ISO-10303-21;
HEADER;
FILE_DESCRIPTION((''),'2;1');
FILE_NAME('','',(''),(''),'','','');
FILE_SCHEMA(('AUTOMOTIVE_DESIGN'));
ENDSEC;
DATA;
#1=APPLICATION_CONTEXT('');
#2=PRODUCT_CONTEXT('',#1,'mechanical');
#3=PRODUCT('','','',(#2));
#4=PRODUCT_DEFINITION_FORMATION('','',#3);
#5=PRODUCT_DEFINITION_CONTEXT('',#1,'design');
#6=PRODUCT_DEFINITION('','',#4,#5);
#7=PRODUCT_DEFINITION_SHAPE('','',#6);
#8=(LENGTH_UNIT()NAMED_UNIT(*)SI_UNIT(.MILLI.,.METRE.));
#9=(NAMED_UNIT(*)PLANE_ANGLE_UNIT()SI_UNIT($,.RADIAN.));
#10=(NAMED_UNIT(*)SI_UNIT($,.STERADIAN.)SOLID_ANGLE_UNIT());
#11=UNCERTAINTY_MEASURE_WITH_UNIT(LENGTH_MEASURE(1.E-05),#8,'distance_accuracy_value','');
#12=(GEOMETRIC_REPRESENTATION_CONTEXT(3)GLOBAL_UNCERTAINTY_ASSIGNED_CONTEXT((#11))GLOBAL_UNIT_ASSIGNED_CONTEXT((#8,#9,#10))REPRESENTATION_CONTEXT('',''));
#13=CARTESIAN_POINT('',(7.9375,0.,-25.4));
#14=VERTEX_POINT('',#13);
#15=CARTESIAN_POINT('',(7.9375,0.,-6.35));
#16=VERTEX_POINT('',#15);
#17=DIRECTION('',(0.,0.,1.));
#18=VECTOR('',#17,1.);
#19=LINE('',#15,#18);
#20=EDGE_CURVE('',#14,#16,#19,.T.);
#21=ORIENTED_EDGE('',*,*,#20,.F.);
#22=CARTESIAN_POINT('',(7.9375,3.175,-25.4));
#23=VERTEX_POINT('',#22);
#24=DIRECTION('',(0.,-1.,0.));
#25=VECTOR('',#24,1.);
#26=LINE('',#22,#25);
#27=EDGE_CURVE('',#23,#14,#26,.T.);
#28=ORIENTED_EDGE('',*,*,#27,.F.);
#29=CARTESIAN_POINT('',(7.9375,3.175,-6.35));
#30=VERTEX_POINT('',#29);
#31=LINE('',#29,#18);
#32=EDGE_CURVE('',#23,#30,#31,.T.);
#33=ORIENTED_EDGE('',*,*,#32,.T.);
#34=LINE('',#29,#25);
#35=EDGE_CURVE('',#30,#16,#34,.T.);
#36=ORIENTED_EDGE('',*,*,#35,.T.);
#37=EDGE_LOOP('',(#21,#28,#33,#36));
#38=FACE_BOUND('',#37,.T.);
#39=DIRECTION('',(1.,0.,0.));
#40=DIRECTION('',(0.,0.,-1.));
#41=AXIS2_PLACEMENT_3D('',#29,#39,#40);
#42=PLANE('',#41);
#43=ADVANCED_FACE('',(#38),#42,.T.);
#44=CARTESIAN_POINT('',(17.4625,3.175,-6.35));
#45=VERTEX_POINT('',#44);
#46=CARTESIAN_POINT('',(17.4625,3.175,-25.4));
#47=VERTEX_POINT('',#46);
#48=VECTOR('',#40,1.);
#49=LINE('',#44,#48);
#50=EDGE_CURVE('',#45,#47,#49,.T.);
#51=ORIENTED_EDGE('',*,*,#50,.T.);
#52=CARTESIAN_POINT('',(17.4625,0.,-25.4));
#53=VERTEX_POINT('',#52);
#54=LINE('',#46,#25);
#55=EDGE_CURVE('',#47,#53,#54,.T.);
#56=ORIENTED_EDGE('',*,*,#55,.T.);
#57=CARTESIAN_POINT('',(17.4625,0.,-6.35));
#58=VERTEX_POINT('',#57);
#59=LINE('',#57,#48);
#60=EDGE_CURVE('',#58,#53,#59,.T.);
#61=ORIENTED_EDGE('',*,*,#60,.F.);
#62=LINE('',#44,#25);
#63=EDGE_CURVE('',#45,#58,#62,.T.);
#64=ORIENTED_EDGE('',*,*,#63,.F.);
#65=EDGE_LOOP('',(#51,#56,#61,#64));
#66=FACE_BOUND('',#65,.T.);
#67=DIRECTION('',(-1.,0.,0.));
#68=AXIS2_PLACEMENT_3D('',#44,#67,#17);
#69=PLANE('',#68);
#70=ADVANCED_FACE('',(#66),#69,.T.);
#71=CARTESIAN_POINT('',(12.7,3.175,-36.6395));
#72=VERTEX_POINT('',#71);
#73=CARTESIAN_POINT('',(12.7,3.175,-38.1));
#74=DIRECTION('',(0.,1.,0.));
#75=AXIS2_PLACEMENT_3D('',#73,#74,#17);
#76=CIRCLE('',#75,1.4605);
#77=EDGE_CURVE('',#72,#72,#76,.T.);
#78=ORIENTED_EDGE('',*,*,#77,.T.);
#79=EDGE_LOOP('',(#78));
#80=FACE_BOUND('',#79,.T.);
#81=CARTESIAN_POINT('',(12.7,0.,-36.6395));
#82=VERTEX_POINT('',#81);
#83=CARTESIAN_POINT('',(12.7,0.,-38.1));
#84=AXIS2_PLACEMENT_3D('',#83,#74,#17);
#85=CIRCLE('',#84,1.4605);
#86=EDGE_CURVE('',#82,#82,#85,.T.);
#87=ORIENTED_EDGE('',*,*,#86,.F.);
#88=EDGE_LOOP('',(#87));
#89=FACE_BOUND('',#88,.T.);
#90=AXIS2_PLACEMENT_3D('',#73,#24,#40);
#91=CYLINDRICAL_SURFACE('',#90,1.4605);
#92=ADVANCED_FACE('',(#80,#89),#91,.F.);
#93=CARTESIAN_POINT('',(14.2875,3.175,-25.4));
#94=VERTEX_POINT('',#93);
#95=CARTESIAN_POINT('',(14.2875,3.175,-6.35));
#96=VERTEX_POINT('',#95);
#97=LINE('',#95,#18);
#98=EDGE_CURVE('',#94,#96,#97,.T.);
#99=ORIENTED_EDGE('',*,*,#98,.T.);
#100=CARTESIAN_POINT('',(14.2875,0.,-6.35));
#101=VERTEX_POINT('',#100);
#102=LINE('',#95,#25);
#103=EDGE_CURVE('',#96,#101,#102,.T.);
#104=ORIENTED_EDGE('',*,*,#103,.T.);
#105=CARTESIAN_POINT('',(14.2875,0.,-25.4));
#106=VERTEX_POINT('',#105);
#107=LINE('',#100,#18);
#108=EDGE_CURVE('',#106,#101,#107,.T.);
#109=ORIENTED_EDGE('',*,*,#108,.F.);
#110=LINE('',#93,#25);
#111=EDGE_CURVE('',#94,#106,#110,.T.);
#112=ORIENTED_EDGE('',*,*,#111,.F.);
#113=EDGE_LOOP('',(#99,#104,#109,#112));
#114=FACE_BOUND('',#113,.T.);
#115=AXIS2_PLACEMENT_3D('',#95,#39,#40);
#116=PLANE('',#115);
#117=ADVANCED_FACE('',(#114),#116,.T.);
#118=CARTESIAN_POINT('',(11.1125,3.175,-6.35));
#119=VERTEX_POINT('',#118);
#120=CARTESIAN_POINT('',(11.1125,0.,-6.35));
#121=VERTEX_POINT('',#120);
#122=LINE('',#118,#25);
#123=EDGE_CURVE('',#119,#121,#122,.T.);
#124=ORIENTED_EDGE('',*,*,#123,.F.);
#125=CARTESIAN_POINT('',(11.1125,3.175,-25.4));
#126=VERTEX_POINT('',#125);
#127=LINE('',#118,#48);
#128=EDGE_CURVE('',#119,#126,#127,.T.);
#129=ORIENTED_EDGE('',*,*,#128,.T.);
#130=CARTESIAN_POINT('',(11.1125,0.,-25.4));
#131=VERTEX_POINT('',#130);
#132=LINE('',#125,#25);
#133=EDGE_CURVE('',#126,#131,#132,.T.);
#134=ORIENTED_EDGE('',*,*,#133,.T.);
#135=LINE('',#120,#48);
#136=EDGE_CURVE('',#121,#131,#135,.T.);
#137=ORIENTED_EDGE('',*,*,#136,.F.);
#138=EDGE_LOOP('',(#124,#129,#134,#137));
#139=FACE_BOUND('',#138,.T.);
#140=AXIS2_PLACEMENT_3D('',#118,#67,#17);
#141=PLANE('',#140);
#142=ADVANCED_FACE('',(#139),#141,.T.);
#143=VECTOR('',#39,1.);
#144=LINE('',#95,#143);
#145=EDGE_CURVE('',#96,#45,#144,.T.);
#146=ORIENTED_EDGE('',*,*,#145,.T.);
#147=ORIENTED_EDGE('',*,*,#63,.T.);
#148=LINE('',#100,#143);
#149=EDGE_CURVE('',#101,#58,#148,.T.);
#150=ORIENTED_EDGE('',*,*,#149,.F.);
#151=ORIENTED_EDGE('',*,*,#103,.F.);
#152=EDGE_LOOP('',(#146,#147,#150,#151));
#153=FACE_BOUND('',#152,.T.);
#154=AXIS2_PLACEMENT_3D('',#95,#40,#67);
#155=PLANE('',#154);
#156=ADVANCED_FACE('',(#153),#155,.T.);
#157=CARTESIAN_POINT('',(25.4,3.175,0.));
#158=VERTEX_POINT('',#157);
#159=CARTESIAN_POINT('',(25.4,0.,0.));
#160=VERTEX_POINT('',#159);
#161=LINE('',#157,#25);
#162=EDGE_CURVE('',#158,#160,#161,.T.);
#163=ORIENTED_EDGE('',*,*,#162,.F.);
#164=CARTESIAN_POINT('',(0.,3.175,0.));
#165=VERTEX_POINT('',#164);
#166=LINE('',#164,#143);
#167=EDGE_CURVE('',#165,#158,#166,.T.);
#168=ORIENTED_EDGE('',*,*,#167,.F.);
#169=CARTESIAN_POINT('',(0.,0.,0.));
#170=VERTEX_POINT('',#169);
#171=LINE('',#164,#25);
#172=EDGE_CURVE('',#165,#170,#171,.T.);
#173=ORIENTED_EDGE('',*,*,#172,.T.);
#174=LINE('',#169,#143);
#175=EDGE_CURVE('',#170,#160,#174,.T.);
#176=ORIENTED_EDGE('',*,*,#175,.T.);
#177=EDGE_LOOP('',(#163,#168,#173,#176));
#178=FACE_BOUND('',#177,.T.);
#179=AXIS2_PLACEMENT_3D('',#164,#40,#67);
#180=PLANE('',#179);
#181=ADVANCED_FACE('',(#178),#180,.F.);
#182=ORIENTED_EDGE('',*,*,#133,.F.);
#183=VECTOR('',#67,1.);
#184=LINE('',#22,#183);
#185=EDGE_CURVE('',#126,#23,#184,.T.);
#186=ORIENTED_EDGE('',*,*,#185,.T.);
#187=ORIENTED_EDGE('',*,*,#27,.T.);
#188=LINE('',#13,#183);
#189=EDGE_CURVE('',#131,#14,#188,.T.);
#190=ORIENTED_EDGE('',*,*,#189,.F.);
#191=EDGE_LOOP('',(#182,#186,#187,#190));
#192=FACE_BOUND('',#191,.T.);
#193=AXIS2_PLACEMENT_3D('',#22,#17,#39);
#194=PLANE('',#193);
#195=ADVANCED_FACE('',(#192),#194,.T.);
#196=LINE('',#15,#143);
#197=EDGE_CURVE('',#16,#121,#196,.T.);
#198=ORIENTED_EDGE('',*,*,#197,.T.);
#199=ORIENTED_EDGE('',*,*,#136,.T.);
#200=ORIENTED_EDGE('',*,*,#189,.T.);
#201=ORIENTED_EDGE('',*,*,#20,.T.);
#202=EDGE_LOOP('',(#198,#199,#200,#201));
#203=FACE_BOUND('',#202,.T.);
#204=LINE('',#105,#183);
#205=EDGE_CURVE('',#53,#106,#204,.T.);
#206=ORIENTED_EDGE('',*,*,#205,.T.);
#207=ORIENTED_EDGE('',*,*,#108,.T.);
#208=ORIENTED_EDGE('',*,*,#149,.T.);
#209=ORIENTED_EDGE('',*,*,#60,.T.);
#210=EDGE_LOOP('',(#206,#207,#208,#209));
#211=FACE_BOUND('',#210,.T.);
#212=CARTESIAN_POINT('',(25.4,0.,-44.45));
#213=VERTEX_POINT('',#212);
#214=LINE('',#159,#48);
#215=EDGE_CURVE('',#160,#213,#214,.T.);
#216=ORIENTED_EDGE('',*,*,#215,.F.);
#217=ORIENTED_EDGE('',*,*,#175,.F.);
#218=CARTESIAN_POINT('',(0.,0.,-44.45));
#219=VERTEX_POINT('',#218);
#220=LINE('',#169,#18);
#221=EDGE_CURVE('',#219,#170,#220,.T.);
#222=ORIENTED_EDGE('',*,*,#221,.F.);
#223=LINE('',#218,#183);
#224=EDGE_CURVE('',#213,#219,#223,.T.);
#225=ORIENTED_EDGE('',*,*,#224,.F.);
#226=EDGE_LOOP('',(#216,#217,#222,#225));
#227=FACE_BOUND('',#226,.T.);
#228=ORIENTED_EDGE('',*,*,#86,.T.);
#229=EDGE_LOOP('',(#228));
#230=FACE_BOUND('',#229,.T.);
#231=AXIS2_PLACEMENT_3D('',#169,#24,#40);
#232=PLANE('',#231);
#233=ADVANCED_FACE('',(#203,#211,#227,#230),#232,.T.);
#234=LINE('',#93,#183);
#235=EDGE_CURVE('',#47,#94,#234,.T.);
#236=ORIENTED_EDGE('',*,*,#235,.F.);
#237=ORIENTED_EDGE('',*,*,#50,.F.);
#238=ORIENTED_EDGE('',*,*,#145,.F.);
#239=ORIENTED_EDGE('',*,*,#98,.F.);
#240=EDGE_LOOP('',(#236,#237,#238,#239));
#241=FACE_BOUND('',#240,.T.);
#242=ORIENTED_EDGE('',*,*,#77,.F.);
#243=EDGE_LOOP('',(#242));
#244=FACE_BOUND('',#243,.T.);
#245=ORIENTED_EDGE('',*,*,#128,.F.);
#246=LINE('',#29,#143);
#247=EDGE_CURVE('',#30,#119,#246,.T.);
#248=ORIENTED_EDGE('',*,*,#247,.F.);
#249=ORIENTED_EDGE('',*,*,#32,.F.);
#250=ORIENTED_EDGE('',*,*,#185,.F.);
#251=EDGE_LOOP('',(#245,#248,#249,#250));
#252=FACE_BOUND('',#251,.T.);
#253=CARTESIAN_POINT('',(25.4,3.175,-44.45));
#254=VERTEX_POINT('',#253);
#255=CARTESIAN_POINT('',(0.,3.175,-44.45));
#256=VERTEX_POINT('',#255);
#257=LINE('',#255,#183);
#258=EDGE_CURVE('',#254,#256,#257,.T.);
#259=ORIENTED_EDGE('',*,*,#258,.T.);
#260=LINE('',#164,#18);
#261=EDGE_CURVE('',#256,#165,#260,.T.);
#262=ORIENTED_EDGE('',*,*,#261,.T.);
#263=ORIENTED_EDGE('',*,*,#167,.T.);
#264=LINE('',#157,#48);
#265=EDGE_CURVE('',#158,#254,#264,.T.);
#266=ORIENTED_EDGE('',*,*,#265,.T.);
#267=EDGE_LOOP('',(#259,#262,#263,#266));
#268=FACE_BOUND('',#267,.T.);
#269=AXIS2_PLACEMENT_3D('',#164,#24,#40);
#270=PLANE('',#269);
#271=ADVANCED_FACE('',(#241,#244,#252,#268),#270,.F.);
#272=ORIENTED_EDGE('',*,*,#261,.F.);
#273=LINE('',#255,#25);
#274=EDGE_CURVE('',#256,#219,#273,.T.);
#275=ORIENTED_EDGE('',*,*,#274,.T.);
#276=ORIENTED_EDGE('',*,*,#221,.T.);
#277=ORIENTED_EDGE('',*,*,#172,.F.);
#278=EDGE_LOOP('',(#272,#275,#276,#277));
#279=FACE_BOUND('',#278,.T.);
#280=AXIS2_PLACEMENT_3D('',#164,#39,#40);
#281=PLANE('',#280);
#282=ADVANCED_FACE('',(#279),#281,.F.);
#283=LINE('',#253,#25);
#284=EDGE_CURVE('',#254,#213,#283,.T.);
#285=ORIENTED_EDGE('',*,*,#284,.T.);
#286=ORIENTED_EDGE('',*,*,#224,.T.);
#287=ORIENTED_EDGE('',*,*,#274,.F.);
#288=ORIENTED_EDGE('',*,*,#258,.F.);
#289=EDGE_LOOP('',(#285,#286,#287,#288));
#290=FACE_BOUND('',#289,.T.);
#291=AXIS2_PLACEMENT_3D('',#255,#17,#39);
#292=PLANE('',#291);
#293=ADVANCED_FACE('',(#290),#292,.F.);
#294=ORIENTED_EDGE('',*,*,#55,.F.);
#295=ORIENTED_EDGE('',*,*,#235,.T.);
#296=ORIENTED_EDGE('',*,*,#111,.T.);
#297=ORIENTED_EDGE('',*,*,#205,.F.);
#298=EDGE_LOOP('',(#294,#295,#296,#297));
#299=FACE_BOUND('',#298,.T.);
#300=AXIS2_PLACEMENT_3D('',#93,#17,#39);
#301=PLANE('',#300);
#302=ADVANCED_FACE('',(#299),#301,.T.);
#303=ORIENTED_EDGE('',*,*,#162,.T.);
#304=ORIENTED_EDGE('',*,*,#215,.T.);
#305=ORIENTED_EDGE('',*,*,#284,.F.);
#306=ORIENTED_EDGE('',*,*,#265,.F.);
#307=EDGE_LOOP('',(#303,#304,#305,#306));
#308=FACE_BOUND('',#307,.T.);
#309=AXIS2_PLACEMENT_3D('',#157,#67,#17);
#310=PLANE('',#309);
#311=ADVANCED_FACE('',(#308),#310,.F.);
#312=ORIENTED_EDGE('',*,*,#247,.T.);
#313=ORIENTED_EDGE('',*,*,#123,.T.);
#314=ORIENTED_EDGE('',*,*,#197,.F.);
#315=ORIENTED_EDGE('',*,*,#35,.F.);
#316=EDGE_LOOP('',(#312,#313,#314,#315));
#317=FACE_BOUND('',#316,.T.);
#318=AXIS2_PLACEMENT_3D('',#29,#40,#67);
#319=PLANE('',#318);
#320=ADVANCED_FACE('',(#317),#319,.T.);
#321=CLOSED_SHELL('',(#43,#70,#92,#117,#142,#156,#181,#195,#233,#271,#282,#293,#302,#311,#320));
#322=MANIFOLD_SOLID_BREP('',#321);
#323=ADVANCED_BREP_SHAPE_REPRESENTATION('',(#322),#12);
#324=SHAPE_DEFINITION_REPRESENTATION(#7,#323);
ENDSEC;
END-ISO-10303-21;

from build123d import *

# Parameters (mm, degrees)
SKETCH1_W           = 25.4
SKETCH1_H           = 44.45
SKETCH1_R           = 1.4605
SKETCH1_W_2         = 3.175
SKETCH1_H_2         = 19.05
BOSS_EXTRUDE1_DEPTH = 3.175


with BuildPart() as part:
    # Sketch1 → Boss-Extrude1 (new body)
    with BuildSketch(Plane(origin=(0, 0, 0), x_dir=(1, 0, 0), z_dir=(0, 1, 0))):
        with Locations((12.7, 22.225)):
            Rectangle(SKETCH1_W, SKETCH1_H)
        with Locations(Location((12.7, 38.1, 0), (0, 0, 270))):
            Circle(SKETCH1_R, mode=Mode.SUBTRACT)
        with Locations((9.525, 15.875)):
            Rectangle(SKETCH1_W_2, SKETCH1_H_2, mode=Mode.SUBTRACT)
        with Locations((15.875, 15.875)):
            Rectangle(SKETCH1_W_2, SKETCH1_H_2, mode=Mode.SUBTRACT)
    extrude(amount=BOSS_EXTRUDE1_DEPTH)


solid = part.part
